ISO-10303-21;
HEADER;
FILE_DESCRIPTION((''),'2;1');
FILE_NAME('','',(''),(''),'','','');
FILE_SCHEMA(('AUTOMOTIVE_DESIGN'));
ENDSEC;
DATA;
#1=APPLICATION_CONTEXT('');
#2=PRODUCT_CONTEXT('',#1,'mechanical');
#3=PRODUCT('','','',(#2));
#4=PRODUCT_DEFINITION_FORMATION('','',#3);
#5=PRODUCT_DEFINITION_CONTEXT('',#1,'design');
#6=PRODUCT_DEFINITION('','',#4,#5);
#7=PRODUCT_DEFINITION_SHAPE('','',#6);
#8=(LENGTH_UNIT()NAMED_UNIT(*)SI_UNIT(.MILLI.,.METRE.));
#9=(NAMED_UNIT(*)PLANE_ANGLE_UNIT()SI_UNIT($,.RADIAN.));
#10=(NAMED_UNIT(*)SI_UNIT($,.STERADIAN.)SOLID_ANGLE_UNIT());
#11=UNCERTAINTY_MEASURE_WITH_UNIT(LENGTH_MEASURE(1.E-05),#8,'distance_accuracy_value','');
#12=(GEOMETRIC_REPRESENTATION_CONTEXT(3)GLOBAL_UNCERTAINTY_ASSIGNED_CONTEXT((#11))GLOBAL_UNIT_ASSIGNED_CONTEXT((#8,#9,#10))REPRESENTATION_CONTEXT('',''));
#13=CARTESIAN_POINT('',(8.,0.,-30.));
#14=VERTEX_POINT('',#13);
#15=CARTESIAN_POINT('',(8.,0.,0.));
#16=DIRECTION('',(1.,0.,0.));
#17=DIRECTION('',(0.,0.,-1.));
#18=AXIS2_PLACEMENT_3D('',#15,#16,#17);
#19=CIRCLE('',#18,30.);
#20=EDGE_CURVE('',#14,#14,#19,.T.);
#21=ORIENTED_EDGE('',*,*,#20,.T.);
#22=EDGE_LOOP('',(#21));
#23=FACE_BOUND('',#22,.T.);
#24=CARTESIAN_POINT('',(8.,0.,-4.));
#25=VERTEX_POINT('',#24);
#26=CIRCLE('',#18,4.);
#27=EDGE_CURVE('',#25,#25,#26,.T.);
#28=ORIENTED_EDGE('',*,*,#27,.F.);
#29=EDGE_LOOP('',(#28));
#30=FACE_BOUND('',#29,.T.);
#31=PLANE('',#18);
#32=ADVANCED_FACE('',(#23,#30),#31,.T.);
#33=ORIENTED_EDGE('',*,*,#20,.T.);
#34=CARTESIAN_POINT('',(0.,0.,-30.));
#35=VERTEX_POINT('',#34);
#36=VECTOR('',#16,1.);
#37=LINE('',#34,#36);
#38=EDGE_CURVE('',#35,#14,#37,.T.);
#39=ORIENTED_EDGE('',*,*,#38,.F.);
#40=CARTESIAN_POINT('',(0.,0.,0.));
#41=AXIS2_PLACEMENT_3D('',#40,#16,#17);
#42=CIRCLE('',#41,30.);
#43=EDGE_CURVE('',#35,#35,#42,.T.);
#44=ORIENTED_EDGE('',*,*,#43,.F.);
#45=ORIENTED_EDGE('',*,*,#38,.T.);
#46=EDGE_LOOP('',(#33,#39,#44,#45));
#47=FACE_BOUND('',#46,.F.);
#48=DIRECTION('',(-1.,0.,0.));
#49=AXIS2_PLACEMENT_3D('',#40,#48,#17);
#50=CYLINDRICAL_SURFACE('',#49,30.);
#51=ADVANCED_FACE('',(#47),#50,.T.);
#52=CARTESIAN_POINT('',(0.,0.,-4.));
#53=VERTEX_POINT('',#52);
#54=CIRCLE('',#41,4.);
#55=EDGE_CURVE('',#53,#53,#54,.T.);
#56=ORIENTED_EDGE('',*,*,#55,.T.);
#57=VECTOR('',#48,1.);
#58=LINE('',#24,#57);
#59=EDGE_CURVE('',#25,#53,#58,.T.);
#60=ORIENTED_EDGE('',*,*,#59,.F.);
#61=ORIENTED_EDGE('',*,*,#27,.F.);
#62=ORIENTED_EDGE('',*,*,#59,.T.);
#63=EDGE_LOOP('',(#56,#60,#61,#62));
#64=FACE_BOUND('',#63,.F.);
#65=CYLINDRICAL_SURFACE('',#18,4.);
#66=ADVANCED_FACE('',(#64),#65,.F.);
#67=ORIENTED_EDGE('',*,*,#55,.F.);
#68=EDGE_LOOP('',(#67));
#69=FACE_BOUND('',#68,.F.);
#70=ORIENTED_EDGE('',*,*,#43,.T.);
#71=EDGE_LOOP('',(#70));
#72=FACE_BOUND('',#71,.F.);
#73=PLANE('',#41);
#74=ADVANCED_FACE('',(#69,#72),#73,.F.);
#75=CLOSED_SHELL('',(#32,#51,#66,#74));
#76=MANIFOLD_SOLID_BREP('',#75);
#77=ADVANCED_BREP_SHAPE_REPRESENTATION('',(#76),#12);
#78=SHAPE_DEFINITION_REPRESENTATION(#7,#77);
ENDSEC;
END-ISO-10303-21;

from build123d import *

# Parameters (mm, degrees)
SCHIZZO1_R                   = 30
ESTRUSIONE_ESTRUSIONE1_DEPTH = 8
SCHIZZO3_R                   = 4
TAGLIO_ESTRUSIONE1_DEPTH     = 9


with BuildPart() as part:
    # Schizzo1 → Estrusione-Estrusione1 (new body)
    with BuildSketch(Plane(origin=(0, 0, 0), x_dir=(0, 0, -1), z_dir=(1, 0, 0))):
        Circle(SCHIZZO1_R)
    extrude(amount=ESTRUSIONE_ESTRUSIONE1_DEPTH)

    # Schizzo3 → Taglio-Estrusione1 (cut, through all)
    with BuildSketch(Plane(origin=(8, 0, 0), x_dir=(0, 0, -1), z_dir=(1, 0, 0))):
        Circle(SCHIZZO3_R)
    extrude(amount=-TAGLIO_ESTRUSIONE1_DEPTH, mode=Mode.SUBTRACT)


solid = part.part
